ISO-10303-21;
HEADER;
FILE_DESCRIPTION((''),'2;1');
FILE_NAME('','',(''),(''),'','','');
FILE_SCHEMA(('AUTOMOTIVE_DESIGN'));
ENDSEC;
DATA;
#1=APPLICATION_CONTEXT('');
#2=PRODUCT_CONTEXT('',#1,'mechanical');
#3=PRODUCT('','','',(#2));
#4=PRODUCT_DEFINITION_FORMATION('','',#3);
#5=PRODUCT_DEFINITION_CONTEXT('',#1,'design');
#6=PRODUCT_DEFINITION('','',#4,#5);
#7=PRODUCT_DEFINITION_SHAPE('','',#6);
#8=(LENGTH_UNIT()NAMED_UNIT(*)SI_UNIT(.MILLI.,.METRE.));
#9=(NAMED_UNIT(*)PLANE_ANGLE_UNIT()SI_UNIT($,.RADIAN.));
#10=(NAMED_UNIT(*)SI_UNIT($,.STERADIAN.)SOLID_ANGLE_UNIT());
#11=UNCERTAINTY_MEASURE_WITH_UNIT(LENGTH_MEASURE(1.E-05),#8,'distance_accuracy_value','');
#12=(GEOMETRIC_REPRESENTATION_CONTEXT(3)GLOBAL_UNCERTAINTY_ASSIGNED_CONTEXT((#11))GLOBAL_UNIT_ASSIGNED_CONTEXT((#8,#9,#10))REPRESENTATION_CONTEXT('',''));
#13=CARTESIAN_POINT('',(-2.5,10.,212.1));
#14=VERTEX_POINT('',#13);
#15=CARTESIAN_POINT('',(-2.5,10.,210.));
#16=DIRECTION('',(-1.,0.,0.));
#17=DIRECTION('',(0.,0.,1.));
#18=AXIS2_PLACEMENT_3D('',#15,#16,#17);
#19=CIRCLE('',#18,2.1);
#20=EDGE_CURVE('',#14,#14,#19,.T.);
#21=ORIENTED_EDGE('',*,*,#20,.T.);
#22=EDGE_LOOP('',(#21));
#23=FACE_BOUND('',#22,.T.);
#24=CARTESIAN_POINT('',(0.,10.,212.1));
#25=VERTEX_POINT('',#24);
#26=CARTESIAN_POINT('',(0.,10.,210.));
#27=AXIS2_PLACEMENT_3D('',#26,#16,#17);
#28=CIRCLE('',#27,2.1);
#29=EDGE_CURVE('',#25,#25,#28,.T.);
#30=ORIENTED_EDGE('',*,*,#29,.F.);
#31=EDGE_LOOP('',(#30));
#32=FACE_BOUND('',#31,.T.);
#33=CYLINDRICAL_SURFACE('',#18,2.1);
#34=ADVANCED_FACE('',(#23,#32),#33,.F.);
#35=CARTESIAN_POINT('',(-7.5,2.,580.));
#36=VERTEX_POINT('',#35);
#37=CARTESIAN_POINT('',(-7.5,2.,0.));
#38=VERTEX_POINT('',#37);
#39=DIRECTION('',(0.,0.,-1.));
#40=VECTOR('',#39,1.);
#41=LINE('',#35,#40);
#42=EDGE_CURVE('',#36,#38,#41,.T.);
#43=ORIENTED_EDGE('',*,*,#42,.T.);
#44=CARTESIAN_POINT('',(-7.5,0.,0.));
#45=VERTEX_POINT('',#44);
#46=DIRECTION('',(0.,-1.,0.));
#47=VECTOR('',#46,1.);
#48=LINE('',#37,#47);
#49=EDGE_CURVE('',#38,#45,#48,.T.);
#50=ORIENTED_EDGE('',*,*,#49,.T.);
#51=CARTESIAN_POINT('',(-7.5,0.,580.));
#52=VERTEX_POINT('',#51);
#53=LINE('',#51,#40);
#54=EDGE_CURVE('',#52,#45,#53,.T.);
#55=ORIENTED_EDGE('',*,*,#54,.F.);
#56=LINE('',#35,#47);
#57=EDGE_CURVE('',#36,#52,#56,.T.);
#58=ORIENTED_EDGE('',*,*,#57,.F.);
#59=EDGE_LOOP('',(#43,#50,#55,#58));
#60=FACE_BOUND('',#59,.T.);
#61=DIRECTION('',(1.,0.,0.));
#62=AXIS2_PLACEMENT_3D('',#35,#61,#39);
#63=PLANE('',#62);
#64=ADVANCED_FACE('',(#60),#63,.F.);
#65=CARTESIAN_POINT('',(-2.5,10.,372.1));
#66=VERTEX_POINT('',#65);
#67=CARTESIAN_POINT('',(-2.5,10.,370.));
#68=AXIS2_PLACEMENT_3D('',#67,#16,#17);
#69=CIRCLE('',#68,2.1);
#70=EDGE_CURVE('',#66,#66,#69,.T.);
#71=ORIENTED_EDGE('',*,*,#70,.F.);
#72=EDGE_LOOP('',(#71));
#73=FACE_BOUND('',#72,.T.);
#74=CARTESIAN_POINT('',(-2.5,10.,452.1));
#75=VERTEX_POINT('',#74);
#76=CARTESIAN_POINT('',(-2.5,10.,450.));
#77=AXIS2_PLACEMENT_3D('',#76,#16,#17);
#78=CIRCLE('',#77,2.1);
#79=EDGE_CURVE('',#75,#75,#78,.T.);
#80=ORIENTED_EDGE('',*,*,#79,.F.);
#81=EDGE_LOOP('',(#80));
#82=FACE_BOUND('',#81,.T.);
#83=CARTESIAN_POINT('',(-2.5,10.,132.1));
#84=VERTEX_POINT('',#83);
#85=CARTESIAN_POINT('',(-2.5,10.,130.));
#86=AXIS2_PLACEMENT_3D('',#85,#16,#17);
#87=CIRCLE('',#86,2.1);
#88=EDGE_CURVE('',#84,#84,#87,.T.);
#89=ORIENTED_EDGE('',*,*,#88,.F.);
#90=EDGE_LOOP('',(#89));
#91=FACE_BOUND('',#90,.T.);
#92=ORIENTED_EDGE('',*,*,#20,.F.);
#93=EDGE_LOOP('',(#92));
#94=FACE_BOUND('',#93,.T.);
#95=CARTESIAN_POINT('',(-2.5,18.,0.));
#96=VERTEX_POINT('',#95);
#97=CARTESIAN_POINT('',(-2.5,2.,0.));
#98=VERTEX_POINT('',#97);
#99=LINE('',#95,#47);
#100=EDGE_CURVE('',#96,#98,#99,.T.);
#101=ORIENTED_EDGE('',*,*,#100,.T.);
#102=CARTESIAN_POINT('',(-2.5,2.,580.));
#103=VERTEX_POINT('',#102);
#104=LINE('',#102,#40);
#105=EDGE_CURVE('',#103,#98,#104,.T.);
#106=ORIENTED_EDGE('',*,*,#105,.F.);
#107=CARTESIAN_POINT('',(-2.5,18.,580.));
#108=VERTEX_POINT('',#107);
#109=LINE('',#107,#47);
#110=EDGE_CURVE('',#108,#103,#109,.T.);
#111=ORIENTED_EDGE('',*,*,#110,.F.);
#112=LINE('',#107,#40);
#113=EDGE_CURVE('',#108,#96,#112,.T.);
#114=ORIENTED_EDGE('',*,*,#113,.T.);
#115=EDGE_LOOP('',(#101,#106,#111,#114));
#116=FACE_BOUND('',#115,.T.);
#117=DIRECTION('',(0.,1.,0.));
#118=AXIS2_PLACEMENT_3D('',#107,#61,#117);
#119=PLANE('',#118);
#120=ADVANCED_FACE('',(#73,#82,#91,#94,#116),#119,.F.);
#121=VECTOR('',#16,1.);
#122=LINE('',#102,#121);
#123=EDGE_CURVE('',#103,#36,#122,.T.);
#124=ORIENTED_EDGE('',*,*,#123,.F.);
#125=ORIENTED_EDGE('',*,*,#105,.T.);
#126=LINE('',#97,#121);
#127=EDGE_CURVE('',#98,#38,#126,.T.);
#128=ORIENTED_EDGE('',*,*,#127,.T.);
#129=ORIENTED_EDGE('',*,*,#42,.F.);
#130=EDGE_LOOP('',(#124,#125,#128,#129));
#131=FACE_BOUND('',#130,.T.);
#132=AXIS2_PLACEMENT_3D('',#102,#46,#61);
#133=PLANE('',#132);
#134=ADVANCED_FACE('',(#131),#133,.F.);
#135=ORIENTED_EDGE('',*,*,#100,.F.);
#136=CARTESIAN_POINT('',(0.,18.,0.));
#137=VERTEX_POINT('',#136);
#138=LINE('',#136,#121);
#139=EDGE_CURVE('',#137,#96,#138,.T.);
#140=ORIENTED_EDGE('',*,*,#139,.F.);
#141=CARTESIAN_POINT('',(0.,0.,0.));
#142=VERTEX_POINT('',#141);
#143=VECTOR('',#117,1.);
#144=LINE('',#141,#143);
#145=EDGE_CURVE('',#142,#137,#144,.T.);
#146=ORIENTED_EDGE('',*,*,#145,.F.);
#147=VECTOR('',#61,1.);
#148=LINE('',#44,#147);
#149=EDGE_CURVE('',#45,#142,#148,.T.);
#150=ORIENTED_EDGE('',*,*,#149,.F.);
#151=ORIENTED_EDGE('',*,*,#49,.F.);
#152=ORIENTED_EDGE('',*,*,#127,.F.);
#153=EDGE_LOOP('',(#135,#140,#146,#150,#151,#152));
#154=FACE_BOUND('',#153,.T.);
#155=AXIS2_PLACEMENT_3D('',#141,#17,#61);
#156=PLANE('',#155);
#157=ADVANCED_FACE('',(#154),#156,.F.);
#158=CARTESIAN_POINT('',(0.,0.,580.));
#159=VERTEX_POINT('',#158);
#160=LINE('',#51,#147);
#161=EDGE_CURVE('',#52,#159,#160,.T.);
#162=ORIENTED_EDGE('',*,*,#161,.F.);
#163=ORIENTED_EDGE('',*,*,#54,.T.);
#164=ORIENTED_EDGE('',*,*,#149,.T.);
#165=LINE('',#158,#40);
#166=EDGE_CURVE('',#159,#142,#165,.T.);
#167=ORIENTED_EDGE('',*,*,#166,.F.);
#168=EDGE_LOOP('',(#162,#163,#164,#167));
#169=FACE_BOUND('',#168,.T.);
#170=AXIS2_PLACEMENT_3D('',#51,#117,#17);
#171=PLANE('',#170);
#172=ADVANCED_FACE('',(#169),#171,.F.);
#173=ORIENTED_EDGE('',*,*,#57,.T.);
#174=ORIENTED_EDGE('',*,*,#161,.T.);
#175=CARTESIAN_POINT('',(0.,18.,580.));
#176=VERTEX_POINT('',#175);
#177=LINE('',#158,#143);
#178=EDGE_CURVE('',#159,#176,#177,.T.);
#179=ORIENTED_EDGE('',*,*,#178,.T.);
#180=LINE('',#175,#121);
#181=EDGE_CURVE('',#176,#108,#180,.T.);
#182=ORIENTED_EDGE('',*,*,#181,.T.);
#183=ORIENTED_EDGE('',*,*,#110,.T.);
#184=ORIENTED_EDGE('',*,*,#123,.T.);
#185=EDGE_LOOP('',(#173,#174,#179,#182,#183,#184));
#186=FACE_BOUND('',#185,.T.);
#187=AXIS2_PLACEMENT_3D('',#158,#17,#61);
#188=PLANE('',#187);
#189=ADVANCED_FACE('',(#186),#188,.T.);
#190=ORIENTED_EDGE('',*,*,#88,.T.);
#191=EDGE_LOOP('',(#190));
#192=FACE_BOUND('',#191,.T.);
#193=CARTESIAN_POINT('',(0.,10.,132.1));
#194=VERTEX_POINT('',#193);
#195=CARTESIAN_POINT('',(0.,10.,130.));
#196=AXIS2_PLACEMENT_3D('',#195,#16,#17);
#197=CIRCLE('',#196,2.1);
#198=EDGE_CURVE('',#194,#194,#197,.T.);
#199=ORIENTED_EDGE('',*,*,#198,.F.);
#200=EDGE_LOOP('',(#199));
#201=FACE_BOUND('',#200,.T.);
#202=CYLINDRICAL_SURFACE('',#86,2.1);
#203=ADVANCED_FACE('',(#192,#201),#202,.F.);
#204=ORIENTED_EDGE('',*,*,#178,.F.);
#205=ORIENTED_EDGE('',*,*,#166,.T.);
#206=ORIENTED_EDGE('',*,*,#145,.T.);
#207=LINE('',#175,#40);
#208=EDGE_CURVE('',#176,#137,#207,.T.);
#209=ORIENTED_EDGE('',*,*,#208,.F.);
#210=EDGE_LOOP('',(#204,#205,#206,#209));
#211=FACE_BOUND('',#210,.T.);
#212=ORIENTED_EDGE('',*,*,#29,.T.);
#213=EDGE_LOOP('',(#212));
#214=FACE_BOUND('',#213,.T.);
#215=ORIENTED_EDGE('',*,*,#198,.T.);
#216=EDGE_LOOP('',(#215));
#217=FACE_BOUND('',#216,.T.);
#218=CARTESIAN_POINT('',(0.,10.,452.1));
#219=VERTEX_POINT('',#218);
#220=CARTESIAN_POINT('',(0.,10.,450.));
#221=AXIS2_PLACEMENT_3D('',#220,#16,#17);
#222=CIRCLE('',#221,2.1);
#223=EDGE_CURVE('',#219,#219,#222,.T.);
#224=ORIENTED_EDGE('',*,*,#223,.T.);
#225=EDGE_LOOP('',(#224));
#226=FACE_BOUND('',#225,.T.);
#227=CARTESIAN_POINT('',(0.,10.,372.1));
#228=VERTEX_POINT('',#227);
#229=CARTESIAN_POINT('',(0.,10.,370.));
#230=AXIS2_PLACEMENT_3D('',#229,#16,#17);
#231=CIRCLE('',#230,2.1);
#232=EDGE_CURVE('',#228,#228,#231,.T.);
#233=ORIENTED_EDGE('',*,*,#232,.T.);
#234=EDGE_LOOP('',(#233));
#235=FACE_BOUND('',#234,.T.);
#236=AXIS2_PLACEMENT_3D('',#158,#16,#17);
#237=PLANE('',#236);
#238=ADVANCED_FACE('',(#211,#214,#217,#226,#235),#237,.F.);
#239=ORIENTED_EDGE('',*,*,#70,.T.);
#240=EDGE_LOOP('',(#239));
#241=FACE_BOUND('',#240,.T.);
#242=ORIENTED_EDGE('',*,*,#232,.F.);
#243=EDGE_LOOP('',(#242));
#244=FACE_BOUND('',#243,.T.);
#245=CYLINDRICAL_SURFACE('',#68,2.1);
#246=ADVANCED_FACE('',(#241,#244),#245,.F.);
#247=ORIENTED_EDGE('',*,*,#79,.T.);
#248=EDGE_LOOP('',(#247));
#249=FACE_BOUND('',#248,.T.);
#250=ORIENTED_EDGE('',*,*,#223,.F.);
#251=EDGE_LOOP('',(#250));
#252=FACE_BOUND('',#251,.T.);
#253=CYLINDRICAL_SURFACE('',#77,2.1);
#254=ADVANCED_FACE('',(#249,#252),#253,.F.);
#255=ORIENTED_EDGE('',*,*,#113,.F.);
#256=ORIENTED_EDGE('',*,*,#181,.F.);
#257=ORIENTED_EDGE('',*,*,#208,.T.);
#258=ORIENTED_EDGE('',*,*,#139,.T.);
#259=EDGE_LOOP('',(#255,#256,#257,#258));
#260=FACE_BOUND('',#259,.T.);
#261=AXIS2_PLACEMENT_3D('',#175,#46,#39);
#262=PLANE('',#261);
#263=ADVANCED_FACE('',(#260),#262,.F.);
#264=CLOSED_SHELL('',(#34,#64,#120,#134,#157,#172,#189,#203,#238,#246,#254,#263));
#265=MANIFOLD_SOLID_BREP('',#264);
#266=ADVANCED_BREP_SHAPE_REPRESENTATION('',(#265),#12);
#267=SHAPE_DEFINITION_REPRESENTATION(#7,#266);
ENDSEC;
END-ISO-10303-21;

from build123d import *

# Parameters (mm, degrees)
EXTRUDE_1_DEPTH    = 580
HOLE_WIZARD_M5_1_D = 4.2


with BuildPart() as part:
    # 草图1 → 凸台-拉伸1 (new body)
    with BuildSketch(Plane.XY):
        Polygon((0, 0), (0, 18), (-2.5, 18), (-2.5, 2), (-7.5, 2), (-7.5, 0), align=None)
    extrude(amount=EXTRUDE_1_DEPTH)

    # M5 螺纹孔1 (through all)
    with Locations(Plane.ZY.offset(2.5)):
        with Locations((130, 10), (210, 10), (370, 10), (450, 10)):
            Hole(HOLE_WIZARD_M5_1_D / 2)


solid = part.part
